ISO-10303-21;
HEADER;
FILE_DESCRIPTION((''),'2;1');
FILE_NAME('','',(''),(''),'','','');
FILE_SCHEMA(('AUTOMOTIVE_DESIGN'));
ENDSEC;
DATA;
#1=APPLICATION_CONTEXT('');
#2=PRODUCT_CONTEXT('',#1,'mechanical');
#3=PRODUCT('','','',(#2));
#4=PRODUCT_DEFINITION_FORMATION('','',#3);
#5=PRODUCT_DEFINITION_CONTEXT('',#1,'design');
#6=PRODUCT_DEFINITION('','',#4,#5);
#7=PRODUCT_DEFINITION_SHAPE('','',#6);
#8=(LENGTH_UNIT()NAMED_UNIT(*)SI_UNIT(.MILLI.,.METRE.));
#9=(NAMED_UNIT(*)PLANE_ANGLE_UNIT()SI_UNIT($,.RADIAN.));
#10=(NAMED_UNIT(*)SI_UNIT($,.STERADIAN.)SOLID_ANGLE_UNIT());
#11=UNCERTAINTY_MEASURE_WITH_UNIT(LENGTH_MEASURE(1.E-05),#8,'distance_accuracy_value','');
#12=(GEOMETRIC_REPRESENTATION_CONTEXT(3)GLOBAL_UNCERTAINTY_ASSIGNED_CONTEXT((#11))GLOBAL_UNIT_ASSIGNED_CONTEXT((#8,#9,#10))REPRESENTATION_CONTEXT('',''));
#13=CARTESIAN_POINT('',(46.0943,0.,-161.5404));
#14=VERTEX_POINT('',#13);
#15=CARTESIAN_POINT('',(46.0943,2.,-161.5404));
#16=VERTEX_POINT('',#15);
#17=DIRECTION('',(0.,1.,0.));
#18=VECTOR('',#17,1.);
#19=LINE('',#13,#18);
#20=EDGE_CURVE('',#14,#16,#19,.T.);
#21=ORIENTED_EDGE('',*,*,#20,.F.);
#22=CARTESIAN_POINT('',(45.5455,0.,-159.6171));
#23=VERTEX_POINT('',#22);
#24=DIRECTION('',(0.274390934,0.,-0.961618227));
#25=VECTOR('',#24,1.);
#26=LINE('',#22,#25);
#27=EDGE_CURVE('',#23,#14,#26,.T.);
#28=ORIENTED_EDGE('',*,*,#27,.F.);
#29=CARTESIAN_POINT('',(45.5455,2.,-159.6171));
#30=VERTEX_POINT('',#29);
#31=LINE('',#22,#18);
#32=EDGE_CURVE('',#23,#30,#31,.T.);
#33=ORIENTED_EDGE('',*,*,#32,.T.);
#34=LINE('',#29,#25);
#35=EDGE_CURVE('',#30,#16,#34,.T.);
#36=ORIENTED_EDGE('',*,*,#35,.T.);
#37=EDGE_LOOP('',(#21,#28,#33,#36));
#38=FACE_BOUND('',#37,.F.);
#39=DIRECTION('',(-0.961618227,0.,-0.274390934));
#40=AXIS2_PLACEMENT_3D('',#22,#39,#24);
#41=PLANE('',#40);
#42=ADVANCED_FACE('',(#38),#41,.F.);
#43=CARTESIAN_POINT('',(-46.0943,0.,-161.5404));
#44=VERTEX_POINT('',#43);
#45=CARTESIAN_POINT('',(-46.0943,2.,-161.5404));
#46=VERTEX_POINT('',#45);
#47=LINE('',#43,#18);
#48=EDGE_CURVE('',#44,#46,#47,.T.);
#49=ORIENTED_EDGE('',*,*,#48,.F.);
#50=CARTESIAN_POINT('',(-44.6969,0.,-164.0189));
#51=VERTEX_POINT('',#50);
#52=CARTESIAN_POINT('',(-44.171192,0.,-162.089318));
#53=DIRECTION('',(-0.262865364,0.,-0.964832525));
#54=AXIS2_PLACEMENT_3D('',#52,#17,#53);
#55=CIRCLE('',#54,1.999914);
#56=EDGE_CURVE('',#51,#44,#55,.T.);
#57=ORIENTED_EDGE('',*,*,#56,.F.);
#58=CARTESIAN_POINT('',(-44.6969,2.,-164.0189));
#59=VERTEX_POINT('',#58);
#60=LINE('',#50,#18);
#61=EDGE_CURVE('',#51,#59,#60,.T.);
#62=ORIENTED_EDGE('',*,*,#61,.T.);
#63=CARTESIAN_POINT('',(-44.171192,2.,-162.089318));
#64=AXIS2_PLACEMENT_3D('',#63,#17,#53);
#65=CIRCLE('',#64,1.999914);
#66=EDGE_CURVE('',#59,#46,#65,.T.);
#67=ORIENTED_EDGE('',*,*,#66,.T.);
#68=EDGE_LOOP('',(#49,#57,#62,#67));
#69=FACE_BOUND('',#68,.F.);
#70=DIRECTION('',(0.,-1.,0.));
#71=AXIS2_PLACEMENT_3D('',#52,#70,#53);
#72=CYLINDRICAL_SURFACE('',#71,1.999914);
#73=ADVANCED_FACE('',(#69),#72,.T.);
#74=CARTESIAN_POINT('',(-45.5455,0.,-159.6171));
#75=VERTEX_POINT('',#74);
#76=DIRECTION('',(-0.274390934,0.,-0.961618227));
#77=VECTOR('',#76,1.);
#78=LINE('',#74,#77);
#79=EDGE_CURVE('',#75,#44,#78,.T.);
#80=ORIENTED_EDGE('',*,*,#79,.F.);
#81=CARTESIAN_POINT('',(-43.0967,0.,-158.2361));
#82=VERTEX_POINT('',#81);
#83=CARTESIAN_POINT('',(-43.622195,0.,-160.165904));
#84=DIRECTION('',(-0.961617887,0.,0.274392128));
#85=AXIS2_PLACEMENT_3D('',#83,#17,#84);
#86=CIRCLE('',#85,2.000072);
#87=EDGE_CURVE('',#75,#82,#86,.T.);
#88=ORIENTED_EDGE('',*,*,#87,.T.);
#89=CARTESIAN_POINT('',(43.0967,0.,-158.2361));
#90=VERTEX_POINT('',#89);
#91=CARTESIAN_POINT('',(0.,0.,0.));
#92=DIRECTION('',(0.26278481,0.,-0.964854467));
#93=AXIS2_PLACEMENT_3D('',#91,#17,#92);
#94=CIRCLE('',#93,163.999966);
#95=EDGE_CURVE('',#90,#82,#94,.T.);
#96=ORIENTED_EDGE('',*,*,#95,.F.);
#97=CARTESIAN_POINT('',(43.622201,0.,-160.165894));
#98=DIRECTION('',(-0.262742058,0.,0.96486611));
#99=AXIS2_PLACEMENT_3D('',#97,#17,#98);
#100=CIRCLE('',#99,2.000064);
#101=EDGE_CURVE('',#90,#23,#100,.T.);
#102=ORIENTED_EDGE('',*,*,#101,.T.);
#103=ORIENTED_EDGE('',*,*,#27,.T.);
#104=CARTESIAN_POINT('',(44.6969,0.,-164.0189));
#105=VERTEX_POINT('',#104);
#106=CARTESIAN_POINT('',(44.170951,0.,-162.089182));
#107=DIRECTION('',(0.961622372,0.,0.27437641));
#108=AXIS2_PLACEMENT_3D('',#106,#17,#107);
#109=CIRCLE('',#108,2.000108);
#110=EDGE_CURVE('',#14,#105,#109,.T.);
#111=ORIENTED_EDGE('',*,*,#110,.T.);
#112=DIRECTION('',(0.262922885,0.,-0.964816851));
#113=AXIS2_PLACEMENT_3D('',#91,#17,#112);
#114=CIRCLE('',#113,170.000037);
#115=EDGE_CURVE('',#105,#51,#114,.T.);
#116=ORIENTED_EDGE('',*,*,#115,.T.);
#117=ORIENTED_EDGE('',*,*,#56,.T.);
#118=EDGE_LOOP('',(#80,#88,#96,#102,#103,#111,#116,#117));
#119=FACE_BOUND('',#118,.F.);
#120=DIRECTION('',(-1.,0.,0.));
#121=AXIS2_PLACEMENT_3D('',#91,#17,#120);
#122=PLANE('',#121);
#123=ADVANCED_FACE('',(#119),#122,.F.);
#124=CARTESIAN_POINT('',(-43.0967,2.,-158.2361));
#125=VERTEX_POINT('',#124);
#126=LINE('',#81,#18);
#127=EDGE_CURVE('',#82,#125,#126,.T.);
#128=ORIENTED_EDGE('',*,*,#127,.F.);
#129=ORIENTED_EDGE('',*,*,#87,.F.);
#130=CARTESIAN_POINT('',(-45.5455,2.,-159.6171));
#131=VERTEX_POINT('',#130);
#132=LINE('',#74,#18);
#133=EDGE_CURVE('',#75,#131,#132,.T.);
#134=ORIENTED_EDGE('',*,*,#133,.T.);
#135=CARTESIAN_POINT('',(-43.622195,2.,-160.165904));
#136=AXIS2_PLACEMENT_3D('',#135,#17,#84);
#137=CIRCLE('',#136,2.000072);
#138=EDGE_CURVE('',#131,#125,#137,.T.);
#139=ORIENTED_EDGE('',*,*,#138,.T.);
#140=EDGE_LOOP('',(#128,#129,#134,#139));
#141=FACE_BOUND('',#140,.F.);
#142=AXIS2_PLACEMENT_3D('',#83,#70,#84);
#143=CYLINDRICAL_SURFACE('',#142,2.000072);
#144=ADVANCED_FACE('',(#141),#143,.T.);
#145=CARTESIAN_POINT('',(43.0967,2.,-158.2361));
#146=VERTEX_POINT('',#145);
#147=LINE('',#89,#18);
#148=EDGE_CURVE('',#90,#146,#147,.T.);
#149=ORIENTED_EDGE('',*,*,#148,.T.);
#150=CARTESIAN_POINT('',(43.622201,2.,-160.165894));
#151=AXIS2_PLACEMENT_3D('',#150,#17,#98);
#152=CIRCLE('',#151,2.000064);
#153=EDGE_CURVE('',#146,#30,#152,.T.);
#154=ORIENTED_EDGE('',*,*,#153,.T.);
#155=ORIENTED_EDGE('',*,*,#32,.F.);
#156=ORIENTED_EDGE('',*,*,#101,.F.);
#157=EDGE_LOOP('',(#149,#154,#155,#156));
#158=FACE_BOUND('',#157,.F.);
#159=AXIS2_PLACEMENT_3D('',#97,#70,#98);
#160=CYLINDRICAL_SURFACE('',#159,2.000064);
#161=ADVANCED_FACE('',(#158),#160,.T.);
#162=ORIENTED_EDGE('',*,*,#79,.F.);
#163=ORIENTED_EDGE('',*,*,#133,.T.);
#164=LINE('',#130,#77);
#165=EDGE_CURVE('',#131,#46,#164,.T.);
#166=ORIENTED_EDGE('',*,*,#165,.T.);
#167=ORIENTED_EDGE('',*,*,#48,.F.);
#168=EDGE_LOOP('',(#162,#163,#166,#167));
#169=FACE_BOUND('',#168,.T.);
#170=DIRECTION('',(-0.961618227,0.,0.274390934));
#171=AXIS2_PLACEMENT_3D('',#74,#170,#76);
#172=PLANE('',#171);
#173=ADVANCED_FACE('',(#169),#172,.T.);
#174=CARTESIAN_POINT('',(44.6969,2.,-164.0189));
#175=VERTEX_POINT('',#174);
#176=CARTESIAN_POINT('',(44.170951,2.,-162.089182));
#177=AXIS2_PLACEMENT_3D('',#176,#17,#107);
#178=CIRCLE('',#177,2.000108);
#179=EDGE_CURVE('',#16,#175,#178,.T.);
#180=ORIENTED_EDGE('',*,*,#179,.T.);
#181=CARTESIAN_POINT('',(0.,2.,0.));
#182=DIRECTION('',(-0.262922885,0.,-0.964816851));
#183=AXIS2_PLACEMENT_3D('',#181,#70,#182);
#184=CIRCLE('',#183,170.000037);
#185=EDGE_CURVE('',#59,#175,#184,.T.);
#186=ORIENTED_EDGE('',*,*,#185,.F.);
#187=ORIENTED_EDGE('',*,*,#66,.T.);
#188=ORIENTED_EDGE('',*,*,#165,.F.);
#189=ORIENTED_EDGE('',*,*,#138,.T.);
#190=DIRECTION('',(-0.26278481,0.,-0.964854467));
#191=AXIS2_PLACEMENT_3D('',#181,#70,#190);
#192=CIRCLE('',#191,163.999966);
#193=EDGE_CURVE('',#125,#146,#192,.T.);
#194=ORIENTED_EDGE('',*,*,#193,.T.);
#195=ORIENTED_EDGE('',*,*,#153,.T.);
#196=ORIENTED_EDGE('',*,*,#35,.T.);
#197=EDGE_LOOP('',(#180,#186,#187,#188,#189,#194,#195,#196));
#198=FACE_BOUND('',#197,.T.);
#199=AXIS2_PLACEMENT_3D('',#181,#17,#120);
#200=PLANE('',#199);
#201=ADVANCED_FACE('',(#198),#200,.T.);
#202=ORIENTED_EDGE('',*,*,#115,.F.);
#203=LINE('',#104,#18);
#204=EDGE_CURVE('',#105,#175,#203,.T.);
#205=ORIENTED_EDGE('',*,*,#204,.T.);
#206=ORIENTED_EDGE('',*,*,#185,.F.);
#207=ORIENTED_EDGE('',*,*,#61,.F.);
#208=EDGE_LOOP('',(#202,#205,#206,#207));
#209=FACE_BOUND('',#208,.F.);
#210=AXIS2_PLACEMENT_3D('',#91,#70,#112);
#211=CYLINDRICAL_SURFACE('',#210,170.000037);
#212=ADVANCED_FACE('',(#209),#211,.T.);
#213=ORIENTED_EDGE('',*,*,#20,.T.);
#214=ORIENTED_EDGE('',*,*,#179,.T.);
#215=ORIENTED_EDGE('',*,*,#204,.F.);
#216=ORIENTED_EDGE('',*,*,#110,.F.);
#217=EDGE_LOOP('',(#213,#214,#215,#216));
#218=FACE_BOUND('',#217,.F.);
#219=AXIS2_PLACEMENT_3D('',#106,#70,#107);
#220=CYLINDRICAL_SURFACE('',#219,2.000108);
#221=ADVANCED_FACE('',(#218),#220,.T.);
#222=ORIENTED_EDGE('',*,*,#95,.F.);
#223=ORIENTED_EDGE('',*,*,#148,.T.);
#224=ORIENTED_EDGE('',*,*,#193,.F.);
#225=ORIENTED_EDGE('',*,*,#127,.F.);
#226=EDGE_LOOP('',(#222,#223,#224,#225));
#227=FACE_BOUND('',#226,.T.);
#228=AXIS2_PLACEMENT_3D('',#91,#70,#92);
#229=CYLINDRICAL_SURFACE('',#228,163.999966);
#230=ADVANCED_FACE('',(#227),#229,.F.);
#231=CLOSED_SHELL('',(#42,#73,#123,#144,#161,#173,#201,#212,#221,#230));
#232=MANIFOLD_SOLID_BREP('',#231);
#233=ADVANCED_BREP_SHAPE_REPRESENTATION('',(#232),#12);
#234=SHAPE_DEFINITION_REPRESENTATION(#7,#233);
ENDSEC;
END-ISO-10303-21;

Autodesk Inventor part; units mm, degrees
ref_plane "YZ Plane" through (0, 0, 0) normal (1, 0, 0) x (0, 1, 0)
ref_plane "XZ Plane" through (0, 0, 0) normal (0, 1, 0) x (-1, 0, 0)
ref_plane "XY Plane" through (0, 0, 0) normal (0, 0, 1) x (1, 0, 0)
sketch "スケッチ1" plane through (0, 0, 0) normal (0, 1, 0) x (-1, 0, 0)
  arc A0 (-44.6969, -164.0189) -> (44.6969, -164.0189) centre (0, 0) ccw
  arc A1 (-43.0967, -158.2361) -> (43.0967, -158.2361) centre (0, 0) ccw
  line L0 (45.5455, -159.6171) -> (46.0943, -161.5404)
  line L1 (-45.5455, -159.6171) -> (-46.0943, -161.5404)
  arc A2 (44.6969, -164.0189) -> (46.0943, -161.5404) centre (44.1711, -162.0892) ccw
  arc A3 (45.5455, -159.6171) -> (43.0967, -158.2361) centre (43.6222, -160.1659) ccw
  arc A4 (-43.0967, -158.2361) -> (-45.5455, -159.6171) centre (-43.6222, -160.1659) ccw
  arc A5 (-46.0943, -161.5404) -> (-44.6969, -164.0189) centre (-44.1711, -162.0892) ccw
  line L2 (0, -204) -> (0, 34) projected
  point P0 (-46.6463, -163.4751)
  point P1 (46.6463, -163.4751)
  point P2 (-45, -157.7054)
  point P3 (45, -157.7054)
  point P4 (-46.6463, -163.4751)
  dimension "d0" = 170
  dimension "d1" = 6
  dimension "d2" = 2
  dimension "d3" = 90
extrude "押し出し1" add sketch "スケッチ1" along normal blind 2
properties part number "SubHandle"
